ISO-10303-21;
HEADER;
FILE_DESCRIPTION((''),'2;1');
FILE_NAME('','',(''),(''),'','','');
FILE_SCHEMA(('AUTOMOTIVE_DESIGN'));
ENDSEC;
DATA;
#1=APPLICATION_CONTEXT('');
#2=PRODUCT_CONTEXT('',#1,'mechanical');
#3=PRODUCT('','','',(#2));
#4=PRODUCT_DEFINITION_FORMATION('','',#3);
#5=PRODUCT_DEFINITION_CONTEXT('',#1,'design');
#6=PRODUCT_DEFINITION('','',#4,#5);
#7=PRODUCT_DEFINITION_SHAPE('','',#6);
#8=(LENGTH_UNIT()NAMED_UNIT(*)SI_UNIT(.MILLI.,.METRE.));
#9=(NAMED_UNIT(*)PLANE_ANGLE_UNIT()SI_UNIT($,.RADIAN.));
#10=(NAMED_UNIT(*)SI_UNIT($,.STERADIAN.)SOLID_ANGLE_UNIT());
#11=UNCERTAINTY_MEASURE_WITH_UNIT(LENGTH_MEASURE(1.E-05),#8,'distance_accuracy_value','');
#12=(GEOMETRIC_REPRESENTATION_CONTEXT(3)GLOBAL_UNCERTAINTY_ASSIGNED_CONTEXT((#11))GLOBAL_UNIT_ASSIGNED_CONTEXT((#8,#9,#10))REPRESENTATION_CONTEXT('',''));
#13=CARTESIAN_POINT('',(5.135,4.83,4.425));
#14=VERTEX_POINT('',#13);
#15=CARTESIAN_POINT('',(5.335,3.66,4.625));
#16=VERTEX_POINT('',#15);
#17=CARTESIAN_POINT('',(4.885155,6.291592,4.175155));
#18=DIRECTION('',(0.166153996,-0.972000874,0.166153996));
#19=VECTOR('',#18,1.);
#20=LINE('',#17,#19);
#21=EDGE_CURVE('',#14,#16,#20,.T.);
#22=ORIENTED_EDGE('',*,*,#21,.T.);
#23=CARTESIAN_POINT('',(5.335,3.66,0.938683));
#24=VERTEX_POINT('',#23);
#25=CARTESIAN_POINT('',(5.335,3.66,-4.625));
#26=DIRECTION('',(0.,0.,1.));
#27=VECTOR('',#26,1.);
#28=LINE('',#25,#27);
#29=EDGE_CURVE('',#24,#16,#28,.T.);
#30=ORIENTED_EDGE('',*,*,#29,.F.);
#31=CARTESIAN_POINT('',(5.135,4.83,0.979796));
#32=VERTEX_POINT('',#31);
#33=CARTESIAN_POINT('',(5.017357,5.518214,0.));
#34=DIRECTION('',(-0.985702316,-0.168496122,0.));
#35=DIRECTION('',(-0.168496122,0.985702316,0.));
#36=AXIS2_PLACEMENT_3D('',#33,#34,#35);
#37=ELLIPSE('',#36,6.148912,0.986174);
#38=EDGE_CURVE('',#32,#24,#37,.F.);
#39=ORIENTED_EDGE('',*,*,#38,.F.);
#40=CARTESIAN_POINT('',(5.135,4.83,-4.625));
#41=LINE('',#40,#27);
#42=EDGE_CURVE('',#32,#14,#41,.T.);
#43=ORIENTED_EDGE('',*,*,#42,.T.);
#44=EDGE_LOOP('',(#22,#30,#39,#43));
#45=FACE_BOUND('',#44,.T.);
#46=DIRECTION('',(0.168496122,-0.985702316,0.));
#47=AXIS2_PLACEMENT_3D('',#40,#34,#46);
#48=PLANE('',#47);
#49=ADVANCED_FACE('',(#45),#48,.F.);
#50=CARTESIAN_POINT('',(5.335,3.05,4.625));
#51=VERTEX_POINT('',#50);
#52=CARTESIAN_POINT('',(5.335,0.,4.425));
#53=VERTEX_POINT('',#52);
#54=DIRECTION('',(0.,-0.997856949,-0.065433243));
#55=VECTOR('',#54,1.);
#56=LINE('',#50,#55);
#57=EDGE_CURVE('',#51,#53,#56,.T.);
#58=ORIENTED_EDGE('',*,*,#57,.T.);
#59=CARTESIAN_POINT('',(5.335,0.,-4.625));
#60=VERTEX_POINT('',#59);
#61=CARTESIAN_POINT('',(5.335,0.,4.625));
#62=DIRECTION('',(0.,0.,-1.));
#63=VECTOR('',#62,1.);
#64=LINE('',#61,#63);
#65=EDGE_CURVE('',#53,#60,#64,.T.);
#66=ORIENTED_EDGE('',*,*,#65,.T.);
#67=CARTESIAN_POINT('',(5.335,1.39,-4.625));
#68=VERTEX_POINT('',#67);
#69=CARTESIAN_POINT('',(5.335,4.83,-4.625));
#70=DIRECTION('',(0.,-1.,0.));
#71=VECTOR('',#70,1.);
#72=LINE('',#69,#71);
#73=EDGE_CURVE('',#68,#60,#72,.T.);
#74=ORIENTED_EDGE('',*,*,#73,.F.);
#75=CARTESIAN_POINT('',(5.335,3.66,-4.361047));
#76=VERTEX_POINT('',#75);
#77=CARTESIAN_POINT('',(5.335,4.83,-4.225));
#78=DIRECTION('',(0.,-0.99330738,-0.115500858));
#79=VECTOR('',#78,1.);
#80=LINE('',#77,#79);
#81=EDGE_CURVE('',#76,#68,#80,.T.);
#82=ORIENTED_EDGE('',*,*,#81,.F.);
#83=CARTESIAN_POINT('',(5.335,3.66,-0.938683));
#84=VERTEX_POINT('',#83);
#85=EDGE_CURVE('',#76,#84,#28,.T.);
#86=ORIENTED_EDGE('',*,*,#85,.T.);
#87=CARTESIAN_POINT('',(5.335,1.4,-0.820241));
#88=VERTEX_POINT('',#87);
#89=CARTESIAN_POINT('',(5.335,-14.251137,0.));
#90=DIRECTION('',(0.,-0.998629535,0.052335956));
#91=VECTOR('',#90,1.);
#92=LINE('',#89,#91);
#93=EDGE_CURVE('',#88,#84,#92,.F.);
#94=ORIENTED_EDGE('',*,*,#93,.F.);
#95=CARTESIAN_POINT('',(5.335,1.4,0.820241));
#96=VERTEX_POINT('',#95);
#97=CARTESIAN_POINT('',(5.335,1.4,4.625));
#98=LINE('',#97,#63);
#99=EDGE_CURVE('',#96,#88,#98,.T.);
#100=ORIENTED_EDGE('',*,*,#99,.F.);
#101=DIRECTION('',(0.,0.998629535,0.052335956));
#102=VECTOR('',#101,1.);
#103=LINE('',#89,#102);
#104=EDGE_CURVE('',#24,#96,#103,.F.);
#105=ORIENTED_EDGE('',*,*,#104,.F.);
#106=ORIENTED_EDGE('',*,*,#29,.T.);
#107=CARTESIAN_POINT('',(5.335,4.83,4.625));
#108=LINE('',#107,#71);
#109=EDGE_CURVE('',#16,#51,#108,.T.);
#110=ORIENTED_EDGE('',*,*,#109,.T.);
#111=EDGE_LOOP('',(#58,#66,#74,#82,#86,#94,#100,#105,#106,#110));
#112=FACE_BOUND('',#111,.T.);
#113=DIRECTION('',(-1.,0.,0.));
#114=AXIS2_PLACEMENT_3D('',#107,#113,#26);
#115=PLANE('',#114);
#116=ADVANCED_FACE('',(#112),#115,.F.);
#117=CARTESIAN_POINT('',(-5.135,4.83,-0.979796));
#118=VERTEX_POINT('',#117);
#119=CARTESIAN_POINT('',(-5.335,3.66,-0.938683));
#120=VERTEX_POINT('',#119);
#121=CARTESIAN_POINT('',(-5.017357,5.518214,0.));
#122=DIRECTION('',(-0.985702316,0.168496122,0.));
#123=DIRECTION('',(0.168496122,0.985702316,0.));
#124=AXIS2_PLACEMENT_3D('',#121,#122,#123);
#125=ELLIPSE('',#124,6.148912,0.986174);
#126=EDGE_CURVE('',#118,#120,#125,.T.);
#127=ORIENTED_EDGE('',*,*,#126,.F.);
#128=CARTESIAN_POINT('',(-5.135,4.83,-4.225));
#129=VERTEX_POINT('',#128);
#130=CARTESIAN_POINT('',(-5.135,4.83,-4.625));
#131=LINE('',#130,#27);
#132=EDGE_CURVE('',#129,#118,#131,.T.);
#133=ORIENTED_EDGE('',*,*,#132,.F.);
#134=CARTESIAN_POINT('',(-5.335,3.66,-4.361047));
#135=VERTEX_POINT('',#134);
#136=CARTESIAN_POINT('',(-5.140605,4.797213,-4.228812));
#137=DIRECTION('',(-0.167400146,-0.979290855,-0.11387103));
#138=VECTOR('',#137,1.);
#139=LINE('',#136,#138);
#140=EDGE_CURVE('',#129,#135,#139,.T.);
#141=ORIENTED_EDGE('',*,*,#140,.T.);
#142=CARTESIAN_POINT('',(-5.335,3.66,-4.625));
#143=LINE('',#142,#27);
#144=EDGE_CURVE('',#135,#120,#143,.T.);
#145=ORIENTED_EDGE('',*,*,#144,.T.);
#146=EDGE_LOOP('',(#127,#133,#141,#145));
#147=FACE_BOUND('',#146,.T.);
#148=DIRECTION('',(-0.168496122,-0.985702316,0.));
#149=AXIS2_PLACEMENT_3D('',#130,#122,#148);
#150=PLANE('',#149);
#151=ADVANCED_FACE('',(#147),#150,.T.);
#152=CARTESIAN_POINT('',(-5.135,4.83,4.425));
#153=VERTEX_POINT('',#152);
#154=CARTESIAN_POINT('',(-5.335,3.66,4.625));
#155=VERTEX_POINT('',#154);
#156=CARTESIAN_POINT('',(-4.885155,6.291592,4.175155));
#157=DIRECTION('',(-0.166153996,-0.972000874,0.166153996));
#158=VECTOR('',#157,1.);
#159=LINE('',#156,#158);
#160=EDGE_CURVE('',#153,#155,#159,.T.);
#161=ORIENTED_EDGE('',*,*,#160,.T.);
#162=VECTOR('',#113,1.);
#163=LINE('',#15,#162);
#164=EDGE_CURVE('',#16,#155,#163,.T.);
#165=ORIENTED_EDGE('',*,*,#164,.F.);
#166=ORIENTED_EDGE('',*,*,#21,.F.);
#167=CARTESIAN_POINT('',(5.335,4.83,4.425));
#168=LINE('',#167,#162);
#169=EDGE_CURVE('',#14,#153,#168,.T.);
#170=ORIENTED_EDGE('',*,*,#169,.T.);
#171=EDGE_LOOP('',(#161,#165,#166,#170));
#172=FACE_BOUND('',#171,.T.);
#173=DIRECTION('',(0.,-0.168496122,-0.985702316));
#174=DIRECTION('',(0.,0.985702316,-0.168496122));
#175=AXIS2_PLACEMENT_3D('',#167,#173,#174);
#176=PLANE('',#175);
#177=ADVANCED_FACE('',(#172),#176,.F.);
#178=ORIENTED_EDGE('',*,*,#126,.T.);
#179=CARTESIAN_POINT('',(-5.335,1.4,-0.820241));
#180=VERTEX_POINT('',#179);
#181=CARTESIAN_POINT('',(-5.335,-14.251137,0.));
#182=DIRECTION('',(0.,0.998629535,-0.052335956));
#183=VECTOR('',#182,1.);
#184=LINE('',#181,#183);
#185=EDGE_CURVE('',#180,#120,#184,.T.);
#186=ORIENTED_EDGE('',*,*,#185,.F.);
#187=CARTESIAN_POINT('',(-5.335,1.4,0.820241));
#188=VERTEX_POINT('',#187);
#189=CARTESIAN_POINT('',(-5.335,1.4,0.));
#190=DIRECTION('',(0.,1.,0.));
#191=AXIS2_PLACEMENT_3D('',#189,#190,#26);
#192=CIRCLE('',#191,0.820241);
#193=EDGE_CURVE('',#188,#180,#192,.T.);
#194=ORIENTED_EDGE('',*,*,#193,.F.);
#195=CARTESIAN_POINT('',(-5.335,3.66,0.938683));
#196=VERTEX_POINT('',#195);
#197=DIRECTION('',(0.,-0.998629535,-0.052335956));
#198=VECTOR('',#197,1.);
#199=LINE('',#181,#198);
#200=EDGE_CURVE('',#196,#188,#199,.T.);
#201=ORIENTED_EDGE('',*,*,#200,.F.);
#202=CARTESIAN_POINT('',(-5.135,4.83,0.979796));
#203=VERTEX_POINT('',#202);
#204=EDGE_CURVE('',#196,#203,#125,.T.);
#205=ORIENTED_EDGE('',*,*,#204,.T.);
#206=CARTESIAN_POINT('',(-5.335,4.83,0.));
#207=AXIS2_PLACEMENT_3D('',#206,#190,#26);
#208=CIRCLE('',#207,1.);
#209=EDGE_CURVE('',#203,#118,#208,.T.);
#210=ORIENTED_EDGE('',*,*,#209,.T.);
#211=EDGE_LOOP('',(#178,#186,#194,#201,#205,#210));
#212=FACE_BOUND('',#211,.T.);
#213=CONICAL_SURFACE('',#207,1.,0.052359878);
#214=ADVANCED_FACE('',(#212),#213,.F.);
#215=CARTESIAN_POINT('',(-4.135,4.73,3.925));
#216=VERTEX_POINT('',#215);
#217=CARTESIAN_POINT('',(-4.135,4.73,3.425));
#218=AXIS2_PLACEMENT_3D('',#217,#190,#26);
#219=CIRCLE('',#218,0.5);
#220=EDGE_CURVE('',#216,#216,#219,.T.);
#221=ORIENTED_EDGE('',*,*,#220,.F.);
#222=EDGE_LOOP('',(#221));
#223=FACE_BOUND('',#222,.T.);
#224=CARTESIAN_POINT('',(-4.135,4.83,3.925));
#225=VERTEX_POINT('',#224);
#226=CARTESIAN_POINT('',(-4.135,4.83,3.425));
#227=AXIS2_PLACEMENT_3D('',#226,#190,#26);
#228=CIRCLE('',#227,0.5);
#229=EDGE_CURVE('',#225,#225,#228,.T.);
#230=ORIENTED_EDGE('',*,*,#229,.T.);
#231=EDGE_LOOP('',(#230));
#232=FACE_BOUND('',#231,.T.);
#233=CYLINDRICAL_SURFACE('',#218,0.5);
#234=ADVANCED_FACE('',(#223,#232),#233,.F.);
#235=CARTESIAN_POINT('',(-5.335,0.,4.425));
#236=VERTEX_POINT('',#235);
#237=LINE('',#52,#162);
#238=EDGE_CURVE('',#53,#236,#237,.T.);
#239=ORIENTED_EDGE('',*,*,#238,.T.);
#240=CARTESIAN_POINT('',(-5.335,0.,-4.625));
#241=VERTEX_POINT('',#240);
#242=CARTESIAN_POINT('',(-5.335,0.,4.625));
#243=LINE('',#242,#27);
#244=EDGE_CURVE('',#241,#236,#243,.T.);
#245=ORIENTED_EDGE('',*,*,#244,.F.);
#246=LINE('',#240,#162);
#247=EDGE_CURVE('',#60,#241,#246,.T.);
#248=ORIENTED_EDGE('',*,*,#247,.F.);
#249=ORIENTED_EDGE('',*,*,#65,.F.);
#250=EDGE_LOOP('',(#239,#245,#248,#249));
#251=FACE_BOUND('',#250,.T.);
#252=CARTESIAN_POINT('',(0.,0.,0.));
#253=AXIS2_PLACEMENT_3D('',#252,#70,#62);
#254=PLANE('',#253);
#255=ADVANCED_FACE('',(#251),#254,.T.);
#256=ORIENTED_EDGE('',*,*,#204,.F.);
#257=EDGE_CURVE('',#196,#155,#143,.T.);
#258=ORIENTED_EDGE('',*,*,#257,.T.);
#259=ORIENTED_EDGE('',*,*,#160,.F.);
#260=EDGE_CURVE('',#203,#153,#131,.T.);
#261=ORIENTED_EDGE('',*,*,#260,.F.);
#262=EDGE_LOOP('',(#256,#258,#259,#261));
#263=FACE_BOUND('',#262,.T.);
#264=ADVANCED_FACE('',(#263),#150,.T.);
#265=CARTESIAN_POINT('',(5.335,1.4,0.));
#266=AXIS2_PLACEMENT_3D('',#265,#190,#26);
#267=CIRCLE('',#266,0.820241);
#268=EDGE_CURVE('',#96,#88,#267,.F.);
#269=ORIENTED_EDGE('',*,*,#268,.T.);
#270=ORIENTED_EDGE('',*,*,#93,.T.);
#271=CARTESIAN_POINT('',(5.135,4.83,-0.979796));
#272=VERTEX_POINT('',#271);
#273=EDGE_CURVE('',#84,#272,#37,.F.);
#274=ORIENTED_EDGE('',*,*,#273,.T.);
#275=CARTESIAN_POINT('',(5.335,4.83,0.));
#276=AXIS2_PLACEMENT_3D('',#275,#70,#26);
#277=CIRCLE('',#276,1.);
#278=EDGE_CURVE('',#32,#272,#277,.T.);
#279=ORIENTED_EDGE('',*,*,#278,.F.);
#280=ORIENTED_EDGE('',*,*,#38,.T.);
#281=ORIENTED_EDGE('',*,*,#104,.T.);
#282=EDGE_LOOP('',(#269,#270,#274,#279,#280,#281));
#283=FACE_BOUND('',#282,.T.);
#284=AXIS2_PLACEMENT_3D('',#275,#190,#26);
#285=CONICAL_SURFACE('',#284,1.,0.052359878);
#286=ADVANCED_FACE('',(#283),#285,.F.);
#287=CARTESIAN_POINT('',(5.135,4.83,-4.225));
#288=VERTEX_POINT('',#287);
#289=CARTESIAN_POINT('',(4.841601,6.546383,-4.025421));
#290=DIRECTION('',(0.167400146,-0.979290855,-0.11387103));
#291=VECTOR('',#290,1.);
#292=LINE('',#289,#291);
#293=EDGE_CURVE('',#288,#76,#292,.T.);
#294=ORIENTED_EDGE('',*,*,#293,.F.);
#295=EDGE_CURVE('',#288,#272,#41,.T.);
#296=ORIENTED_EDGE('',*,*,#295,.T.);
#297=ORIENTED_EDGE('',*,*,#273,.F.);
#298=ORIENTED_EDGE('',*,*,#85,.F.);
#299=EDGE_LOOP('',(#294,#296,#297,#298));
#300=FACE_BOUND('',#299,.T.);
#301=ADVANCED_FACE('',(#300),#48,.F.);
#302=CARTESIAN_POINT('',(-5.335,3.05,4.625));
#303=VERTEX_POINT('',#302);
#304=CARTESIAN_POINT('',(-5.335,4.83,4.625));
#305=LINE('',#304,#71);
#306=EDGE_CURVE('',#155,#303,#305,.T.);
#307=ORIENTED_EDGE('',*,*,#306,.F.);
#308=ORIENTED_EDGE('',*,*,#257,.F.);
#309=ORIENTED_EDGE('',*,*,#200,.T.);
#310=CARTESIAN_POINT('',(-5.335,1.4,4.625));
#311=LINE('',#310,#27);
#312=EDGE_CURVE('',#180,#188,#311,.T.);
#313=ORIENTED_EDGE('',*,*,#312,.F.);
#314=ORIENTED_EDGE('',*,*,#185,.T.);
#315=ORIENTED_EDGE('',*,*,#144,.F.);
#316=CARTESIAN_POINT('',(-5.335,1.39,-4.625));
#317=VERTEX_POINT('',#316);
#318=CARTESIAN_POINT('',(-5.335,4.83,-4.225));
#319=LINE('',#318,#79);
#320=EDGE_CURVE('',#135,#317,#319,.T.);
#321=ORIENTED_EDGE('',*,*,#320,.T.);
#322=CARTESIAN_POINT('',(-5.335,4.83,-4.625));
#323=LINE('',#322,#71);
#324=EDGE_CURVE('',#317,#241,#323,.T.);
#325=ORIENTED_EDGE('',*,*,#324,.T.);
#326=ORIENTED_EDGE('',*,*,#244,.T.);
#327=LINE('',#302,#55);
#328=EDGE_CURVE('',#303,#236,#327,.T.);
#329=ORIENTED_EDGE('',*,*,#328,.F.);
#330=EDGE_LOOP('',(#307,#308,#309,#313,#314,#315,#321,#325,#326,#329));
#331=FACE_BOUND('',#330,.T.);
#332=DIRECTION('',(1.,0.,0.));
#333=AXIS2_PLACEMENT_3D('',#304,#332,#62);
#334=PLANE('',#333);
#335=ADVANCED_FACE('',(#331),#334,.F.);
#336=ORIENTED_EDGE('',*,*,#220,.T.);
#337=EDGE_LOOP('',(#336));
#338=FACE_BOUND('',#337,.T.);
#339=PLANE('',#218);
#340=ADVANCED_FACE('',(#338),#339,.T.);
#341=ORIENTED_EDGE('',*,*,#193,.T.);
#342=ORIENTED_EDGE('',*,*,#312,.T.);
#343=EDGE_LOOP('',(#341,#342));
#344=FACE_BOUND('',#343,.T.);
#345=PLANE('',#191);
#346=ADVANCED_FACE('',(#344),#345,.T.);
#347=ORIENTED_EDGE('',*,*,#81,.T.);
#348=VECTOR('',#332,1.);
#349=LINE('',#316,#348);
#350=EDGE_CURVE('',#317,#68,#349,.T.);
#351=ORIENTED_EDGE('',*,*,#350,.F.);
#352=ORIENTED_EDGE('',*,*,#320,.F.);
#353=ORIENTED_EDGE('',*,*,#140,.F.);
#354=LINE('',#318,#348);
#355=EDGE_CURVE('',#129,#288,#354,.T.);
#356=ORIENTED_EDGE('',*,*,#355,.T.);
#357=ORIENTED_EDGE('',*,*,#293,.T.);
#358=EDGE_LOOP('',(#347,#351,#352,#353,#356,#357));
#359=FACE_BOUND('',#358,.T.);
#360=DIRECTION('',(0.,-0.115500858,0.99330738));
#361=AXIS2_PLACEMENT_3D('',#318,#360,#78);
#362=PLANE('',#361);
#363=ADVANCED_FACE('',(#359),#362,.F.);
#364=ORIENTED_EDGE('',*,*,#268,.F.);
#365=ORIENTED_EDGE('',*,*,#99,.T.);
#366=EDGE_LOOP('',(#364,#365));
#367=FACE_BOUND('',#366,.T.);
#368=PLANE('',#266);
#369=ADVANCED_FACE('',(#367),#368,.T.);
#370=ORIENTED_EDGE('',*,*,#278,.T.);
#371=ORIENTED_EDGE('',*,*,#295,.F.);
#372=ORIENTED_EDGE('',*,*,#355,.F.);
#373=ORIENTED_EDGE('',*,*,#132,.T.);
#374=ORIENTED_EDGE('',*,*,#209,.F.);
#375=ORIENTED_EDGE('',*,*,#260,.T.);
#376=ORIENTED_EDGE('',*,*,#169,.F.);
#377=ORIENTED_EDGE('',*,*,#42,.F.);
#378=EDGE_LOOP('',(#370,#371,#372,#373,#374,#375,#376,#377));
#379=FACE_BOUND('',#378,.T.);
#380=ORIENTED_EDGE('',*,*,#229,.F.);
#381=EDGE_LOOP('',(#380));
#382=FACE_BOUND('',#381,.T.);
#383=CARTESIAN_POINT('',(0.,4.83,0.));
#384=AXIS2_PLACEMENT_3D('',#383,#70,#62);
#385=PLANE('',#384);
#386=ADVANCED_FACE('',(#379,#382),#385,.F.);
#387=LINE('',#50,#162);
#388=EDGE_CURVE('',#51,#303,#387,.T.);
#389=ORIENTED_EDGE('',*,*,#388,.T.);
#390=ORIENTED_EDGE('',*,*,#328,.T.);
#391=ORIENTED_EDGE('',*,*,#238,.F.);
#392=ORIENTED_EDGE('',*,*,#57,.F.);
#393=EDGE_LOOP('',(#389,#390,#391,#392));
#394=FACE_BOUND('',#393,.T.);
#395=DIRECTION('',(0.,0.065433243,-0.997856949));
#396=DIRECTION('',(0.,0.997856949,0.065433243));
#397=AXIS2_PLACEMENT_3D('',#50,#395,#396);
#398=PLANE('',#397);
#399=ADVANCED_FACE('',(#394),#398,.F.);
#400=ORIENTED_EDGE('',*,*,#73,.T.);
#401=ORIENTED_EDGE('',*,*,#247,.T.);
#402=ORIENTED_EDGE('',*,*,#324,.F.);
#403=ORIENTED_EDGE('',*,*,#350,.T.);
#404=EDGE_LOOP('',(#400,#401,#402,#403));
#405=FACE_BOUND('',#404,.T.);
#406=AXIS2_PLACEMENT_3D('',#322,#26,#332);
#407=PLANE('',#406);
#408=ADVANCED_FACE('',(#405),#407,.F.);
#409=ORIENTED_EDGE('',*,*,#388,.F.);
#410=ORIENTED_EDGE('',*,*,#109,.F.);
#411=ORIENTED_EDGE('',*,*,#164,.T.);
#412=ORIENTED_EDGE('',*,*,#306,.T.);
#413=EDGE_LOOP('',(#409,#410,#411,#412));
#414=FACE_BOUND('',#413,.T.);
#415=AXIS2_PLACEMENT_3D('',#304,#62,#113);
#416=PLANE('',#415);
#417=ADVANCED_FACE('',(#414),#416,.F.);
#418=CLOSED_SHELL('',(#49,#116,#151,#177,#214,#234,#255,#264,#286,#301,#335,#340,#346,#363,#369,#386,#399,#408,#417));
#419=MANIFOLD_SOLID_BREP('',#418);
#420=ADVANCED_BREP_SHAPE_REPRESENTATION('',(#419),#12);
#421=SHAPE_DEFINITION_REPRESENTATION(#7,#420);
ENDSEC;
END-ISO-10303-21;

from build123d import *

# Parameters (mm, degrees)
SKETCH1_W           = 10.67
SKETCH1_H           = 9.25
BOSS_EXTRUDE1_DEPTH = 4.83
CUT_EXTRUDE1_DEPTH  = 11.67
CUT_EXTRUDE2_DEPTH  = 10.25
CUT_EXTRUDE3_DEPTH  = 11.67
CUT_EXTRUDE4_DEPTH  = 11.67
SKETCH7_R           = 1
CUT_EXTRUDE5_DEPTH  = 3.43
CUT_EXTRUDE5_TAPER  = 3
SKETCH8_R           = 0.5
CUT_EXTRUDE6_DEPTH  = 0.1


with BuildPart() as part:
    # Sketch1 → Boss-Extrude1 (new body)
    with BuildSketch(Plane(origin=(0, 0, 0), x_dir=(1, 0, 0), z_dir=(0, 1, 0))):
        Rectangle(SKETCH1_W, SKETCH1_H)
    extrude(amount=BOSS_EXTRUDE1_DEPTH)

    # Sketch3 → Cut-Extrude1 (cut, through all)
    with BuildSketch(Plane(origin=(5.335, 0, 0), x_dir=(0, 0, -1), z_dir=(1, 0, 0))):
        Polygon((4.625, 4.83), (4.225, 4.83), (4.625, 1.39), align=None)
    extrude(amount=-CUT_EXTRUDE1_DEPTH, mode=Mode.SUBTRACT)

    # Sketch4 → Cut-Extrude2 (cut, through all)
    with BuildSketch(Plane.XY.offset(4.625)):
        Polygon((5.335, 4.83), (5.135, 4.83), (5.335, 3.66), align=None)
    cut_extrude2 = extrude(amount=-CUT_EXTRUDE2_DEPTH, mode=Mode.SUBTRACT)

    # Mirror1: Cut-Extrude2 across plane
    add(cut_extrude2.mirror(Plane(origin=(0, 0, 0), x_dir=(0, 0, 1), z_dir=(1, 0, 0))), mode=Mode.SUBTRACT)

    # Sketch5 → Cut-Extrude3 (cut, through all)
    with BuildSketch(Plane.ZY.offset(5.335)):
        Polygon((4.425, 4.83), (4.625, 4.83), (4.625, 3.66), align=None)
    extrude(amount=-CUT_EXTRUDE3_DEPTH, mode=Mode.SUBTRACT)

    # Sketch6 → Cut-Extrude4 (cut, through all)
    with BuildSketch(Plane.ZY.offset(5.335)):
        Polygon((4.625, 0), (4.625, 3.05), (4.425, 0), align=None)
    extrude(amount=-CUT_EXTRUDE4_DEPTH, mode=Mode.SUBTRACT)

    # Sketch7 → Cut-Extrude5 (cut)
    with BuildSketch(Plane(origin=(0, 4.83, 0), x_dir=(1, 0, 0), z_dir=(0, 1, 0))):
        with Locations((-5.335, 0)):
            Circle(SKETCH7_R)
    cut_extrude5 = extrude(amount=-CUT_EXTRUDE5_DEPTH, taper=CUT_EXTRUDE5_TAPER, mode=Mode.SUBTRACT)

    # Mirror2: Cut-Extrude5 across plane
    add(cut_extrude5.mirror(Plane(origin=(0, 0, 0), x_dir=(0, 0, 1), z_dir=(1, 0, 0))), mode=Mode.SUBTRACT)

    # Sketch8 → Cut-Extrude6 (cut)
    with BuildSketch(Plane(origin=(0, 4.83, 0), x_dir=(1, 0, 0), z_dir=(0, 1, 0))):
        with Locations((-4.135, -3.425)):
            Circle(SKETCH8_R)
    extrude(amount=-CUT_EXTRUDE6_DEPTH, mode=Mode.SUBTRACT)


solid = part.part
